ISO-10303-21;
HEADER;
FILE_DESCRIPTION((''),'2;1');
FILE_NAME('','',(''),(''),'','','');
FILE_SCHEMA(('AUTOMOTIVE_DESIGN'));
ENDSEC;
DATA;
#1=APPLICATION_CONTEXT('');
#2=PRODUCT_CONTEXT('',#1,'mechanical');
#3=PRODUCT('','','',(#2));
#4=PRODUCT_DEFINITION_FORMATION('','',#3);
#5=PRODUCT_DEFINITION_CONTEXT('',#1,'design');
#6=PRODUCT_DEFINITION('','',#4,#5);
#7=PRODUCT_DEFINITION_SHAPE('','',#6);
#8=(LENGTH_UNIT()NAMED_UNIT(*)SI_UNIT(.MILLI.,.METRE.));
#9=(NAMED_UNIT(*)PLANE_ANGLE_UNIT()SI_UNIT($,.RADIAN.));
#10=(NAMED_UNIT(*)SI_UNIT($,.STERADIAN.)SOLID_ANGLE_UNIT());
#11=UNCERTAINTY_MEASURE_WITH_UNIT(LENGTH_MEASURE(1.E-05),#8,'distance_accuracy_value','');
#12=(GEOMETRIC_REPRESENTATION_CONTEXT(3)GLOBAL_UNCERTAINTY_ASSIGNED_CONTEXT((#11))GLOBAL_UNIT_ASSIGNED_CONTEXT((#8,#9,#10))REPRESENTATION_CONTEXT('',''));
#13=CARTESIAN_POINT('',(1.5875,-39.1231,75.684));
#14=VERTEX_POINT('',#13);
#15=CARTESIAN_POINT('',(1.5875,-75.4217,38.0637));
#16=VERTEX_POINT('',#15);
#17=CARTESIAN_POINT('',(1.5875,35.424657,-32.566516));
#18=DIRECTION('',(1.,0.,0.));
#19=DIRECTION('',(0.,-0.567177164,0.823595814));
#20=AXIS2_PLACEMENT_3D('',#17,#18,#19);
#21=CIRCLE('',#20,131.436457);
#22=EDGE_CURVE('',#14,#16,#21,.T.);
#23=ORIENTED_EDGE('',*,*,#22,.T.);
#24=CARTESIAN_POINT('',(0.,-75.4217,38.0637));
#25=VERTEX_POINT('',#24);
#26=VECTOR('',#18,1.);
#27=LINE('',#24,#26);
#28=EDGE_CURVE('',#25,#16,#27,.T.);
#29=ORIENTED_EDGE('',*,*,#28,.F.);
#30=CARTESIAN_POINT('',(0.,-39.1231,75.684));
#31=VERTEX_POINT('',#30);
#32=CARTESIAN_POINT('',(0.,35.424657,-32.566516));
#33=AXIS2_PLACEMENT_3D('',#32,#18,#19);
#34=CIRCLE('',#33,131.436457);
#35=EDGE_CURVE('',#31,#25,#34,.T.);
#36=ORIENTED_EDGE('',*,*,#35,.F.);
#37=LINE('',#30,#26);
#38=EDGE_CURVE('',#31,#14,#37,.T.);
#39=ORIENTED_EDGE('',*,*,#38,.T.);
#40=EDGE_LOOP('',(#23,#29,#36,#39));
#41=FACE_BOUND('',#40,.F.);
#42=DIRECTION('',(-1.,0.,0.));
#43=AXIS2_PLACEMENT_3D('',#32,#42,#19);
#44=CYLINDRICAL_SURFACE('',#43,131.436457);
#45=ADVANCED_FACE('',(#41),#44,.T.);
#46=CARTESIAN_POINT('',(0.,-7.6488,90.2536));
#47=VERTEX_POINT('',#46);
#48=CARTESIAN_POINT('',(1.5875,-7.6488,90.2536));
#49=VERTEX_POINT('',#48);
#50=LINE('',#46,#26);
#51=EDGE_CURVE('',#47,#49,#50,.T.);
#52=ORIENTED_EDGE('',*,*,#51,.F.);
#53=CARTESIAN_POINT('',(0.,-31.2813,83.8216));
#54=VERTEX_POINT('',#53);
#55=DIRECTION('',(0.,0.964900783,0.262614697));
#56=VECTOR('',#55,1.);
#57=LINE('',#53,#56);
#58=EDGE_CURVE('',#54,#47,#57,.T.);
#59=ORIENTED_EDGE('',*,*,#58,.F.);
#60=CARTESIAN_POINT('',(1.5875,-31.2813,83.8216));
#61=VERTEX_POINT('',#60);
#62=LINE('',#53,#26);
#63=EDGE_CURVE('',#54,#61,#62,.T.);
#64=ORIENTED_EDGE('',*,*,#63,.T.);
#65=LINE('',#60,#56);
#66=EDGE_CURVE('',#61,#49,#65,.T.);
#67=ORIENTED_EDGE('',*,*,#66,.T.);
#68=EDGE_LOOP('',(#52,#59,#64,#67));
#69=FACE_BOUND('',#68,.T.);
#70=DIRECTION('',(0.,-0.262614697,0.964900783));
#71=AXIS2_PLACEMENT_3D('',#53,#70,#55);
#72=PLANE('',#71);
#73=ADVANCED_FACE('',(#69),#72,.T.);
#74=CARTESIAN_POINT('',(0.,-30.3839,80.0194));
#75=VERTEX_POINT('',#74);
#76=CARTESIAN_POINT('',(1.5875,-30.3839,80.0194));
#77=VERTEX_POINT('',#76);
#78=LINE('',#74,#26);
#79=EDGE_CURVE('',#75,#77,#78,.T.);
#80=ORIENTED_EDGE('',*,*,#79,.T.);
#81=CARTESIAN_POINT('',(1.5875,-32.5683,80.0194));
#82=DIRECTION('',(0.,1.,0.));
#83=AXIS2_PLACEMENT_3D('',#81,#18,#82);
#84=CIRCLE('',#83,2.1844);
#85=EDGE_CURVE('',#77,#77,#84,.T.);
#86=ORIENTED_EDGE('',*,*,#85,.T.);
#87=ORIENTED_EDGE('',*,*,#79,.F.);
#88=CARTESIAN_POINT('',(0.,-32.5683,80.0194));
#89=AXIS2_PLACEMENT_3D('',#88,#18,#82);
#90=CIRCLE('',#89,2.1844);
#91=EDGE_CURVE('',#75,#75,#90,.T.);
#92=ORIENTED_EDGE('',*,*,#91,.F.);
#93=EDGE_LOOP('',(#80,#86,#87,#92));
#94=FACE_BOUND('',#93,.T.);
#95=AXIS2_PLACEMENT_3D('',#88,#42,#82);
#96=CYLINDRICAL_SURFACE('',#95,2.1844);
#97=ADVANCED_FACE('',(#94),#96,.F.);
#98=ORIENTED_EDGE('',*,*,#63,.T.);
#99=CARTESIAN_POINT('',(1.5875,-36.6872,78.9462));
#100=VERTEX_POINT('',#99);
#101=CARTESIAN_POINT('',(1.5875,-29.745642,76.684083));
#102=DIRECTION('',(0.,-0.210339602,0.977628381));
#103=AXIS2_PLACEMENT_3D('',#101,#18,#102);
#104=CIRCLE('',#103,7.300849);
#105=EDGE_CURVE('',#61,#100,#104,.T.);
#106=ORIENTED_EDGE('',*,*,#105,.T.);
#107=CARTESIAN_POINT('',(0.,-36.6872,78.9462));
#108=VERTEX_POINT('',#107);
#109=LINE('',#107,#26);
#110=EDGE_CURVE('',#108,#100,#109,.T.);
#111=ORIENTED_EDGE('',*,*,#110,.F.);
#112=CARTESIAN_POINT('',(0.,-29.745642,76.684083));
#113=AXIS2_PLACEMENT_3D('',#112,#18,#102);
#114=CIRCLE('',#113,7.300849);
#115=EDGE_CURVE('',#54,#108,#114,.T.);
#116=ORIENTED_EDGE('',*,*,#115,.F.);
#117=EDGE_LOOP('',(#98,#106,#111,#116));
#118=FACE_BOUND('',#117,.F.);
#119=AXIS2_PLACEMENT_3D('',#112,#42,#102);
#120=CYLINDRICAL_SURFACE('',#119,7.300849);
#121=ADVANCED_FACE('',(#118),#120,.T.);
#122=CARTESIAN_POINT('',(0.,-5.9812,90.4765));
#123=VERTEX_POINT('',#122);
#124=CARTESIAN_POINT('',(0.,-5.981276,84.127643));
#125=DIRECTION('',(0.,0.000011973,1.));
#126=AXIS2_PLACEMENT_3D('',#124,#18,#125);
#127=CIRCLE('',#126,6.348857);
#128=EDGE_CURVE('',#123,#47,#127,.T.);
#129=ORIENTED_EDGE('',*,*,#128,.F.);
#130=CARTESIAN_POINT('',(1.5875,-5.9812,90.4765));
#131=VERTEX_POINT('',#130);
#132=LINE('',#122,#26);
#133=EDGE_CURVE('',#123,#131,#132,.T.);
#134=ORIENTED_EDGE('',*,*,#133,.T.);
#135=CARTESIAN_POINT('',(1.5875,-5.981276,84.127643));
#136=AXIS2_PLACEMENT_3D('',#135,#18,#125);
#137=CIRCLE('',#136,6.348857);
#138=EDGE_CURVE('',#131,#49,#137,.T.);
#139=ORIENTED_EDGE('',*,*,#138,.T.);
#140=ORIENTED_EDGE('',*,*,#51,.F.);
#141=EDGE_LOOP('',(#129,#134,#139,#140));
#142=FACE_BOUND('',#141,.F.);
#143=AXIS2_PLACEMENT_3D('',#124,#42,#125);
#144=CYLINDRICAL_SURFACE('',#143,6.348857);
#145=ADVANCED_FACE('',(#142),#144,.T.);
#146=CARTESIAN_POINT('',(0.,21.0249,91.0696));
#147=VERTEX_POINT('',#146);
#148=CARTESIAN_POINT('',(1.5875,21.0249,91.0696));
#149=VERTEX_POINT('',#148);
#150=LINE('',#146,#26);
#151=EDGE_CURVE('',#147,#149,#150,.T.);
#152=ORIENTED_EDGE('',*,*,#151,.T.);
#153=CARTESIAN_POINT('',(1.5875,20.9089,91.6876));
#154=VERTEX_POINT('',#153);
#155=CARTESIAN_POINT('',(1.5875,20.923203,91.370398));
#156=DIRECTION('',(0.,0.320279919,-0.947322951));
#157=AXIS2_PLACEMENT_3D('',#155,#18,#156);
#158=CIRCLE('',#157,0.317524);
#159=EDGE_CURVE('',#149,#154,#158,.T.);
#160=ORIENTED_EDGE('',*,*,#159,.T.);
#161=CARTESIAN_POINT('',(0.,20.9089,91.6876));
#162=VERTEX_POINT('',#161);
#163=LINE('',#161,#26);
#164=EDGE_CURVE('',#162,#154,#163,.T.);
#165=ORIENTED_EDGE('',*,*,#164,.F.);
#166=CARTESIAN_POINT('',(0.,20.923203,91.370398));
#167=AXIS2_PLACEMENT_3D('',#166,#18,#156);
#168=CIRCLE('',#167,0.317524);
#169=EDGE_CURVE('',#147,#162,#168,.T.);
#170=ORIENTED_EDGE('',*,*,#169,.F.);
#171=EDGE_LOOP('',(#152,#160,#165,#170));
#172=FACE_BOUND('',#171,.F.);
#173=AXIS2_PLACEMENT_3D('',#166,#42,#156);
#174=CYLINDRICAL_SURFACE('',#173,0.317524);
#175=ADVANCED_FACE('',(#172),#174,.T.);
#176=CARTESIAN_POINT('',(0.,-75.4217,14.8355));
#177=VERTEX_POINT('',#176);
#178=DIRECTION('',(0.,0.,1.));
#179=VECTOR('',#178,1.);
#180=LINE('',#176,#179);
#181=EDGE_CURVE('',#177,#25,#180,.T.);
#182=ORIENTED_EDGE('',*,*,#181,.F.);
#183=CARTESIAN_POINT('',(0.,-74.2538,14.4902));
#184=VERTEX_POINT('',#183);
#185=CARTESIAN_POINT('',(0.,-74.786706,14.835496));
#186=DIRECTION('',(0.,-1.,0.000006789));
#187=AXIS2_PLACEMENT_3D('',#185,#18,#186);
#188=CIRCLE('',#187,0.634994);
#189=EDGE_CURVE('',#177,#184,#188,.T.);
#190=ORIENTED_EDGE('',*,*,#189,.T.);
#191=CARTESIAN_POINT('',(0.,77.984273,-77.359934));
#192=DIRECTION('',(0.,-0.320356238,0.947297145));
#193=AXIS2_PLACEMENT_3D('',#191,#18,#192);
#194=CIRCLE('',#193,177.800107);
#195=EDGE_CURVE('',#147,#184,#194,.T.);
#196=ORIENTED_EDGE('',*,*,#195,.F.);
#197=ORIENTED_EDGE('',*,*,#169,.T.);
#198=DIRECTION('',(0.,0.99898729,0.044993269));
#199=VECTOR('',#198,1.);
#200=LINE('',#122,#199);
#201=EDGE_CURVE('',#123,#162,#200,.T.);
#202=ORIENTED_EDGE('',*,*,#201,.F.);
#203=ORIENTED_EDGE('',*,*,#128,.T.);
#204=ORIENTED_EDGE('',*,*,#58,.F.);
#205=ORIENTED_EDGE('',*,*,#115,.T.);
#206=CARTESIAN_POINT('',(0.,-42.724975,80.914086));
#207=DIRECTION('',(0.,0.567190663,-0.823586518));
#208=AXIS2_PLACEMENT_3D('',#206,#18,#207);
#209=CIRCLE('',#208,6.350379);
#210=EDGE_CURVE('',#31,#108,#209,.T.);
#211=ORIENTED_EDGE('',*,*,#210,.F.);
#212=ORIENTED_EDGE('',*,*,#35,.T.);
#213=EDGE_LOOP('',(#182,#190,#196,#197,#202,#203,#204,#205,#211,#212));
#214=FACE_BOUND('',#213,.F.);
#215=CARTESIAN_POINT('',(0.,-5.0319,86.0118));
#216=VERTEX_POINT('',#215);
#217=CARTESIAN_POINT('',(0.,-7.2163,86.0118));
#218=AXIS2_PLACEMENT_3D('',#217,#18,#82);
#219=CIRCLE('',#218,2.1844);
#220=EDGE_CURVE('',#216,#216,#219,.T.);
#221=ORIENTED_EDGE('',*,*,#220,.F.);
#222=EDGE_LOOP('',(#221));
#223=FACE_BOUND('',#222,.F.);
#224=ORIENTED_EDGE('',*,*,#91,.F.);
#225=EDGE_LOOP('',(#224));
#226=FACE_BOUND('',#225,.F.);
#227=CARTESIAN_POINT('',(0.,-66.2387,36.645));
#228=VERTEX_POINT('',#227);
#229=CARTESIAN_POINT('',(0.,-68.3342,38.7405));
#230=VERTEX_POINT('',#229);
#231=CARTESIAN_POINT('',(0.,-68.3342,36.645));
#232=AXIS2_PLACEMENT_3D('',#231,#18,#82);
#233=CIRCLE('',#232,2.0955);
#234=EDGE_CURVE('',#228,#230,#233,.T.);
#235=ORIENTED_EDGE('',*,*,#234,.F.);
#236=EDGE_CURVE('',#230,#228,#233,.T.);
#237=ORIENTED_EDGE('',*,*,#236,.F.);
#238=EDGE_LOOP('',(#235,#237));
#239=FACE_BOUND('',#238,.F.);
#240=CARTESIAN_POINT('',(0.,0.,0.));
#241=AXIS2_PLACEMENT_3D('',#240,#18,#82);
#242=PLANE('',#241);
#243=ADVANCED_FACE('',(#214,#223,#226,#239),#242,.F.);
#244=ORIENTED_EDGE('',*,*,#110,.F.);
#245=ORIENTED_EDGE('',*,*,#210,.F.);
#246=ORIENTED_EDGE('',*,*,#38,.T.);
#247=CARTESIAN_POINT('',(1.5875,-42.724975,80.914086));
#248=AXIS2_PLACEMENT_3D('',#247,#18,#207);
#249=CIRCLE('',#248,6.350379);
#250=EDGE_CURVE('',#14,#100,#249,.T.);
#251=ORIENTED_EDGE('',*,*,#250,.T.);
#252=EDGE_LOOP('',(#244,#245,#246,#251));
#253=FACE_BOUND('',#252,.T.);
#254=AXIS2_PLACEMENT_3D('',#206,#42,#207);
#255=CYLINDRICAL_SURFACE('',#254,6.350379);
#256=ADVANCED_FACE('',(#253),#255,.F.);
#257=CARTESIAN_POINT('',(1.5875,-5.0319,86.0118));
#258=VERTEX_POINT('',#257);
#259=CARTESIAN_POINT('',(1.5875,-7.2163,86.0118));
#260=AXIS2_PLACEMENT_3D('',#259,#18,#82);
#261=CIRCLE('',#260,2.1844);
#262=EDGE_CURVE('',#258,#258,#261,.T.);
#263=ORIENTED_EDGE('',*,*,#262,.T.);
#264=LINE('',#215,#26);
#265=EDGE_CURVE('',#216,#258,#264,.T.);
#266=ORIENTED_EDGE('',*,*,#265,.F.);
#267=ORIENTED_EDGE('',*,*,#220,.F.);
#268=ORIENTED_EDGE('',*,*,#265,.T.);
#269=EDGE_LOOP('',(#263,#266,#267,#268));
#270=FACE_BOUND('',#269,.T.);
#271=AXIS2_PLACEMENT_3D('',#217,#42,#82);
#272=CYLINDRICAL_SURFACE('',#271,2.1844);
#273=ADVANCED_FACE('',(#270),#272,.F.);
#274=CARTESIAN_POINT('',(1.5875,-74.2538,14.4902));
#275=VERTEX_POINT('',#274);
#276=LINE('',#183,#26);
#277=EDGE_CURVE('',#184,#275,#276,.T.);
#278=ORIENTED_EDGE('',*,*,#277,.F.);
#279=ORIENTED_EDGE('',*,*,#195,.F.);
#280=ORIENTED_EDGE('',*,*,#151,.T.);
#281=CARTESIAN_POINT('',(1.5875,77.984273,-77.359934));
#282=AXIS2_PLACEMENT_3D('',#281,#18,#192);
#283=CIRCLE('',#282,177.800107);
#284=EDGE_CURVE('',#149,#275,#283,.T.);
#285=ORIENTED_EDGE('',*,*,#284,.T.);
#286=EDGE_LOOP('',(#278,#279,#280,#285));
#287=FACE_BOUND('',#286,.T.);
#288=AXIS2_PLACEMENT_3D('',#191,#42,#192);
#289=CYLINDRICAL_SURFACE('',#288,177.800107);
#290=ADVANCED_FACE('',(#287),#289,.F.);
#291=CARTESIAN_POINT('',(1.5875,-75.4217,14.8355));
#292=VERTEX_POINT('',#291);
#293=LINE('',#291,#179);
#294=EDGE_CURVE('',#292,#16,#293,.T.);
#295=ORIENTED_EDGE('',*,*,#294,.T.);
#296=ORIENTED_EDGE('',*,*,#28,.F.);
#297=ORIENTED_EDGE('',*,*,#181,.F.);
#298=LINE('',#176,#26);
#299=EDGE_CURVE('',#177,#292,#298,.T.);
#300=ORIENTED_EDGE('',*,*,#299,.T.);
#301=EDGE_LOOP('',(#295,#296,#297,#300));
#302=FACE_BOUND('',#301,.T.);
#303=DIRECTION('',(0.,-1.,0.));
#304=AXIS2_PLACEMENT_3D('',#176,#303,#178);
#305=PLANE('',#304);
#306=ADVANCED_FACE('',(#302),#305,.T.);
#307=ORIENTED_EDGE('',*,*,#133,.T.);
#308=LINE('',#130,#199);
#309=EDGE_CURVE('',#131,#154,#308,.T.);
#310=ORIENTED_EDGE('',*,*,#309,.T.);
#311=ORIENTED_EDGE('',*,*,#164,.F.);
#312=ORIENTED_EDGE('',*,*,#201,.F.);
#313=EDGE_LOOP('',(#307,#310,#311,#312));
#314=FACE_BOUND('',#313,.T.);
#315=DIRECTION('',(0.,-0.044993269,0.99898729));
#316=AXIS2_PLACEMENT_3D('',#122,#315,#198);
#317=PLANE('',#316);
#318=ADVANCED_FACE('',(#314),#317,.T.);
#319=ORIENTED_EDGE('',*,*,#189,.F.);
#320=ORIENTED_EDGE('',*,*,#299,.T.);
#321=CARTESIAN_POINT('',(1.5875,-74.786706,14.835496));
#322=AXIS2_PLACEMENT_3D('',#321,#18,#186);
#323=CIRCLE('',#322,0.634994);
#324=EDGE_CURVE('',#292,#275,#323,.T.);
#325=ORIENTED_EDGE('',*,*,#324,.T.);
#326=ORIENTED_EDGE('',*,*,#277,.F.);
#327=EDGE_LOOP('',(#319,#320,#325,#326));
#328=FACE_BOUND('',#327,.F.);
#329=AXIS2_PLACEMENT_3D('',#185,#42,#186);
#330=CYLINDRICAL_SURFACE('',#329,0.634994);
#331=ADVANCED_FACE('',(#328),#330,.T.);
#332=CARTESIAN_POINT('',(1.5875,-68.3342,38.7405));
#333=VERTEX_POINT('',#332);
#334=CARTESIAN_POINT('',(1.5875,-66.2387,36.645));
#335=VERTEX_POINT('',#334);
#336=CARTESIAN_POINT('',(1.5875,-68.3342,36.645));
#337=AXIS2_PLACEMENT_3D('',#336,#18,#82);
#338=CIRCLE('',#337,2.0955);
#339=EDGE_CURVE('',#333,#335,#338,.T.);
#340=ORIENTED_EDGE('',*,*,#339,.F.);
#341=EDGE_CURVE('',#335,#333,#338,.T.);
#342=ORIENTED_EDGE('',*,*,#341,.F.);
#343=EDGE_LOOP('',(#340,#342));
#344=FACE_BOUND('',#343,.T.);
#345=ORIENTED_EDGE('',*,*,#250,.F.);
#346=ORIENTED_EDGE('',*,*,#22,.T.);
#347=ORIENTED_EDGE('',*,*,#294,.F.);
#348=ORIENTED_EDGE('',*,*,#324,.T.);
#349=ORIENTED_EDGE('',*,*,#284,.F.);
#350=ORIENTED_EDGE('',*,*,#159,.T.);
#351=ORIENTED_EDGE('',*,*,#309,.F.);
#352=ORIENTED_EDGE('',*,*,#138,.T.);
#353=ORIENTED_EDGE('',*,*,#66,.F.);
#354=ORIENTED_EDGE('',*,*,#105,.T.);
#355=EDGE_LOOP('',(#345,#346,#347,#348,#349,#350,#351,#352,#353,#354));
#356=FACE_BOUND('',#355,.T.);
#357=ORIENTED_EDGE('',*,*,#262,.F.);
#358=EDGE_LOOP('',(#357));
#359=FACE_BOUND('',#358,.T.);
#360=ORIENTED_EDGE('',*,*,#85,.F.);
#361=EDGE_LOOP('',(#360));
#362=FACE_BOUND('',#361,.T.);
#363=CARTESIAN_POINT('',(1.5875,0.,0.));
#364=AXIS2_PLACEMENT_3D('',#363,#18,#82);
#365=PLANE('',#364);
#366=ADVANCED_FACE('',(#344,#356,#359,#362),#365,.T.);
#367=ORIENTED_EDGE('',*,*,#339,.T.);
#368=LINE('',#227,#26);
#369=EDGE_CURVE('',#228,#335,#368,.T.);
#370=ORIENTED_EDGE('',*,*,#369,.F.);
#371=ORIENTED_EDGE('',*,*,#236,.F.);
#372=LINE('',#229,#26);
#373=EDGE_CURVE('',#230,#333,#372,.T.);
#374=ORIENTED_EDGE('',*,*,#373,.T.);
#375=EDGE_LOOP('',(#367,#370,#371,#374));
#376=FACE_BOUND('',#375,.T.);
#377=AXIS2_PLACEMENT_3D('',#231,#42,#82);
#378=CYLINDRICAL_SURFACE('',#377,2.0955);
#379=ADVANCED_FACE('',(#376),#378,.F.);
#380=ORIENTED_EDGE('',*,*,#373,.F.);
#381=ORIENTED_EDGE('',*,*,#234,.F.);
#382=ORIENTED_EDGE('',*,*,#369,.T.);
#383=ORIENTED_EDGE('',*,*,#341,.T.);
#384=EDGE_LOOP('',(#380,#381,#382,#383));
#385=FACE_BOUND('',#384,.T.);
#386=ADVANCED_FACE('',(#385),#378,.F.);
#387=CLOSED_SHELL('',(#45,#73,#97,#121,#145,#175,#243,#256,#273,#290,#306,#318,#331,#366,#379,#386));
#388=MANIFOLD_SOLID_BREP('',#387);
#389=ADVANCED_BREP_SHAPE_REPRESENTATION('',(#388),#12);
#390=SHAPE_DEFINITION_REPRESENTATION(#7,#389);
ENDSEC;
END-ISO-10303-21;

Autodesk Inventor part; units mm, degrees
ref_plane "YZ Plane" through (0, 0, 0) normal (1, 0, 0) x (0, 1, 0)
ref_plane "XZ Plane" through (0, 0, 0) normal (0, 1, 0) x (-1, 0, 0)
ref_plane "XY Plane" through (0, 0, 0) normal (0, 0, 1) x (1, 0, 0)
sketch "Sketch1" plane through (0, 0, 0) normal (1, 0, 0) x (0, 1, 0)
  arc A0 (-5.9812, 90.4765) -> (-7.6488, 90.2536) centre (-5.9812, 84.1265) ccw
  line L0 (-31.2813, 83.8216) -> (-7.6488, 90.2536)
  arc A1 (-31.2813, 83.8216) -> (-36.6872, 78.9462) centre (-29.7456, 76.684) ccw
  arc A2 (-39.1231, 75.684) -> (-36.6872, 78.9462) centre (-42.7247, 80.9138) ccw
  circle A3 centre (-32.5683, 80.0194) radius 2.1844
  line L1 (-68.3342, 42.995) -> (-68.3342, 36.645)
  circle A4 centre (-68.3342, 36.645) radius 2.0955
  line L2 (-75.4217, 14.8355) -> (-75.4217, 38.0637)
  arc A5 (-39.1231, 75.684) -> (-75.4217, 38.0637) centre (35.426, -32.5681) ccw
  arc A6 (-75.4217, 14.8355) -> (-74.2538, 14.4902) centre (-74.7867, 14.8355) ccw
  line L3 (-5.9812, 90.4765) -> (20.9089, 91.6876)
  arc A7 (21.0249, 91.0696) -> (-74.2538, 14.4902) centre (77.9842, -77.3598) ccw
  circle A8 centre (-7.2163, 86.0118) radius 2.1844
  arc A9 (21.0249, 91.0696) -> (20.9089, 91.6876) centre (20.9232, 91.3704) ccw
  point P0 (0, 0)
  point P1 (-4.9764, 91.8669)
  point P2 (-75.4217, 12.6637)
  point P3 (23.2041, 91.791)
  point P4 (-74.2538, 14.4902)
  dimension "d1" = 4.191
  dimension "d4" = 25.4
  dimension "d5" = 0.635
  dimension "d9" = 177.8
  dimension "d10" = 4.3688
  dimension "d11" = 0.3175
extrude "Extrusion1" add sketch "Sketch1" along normal blind 1.5875
properties part number "ramps"
